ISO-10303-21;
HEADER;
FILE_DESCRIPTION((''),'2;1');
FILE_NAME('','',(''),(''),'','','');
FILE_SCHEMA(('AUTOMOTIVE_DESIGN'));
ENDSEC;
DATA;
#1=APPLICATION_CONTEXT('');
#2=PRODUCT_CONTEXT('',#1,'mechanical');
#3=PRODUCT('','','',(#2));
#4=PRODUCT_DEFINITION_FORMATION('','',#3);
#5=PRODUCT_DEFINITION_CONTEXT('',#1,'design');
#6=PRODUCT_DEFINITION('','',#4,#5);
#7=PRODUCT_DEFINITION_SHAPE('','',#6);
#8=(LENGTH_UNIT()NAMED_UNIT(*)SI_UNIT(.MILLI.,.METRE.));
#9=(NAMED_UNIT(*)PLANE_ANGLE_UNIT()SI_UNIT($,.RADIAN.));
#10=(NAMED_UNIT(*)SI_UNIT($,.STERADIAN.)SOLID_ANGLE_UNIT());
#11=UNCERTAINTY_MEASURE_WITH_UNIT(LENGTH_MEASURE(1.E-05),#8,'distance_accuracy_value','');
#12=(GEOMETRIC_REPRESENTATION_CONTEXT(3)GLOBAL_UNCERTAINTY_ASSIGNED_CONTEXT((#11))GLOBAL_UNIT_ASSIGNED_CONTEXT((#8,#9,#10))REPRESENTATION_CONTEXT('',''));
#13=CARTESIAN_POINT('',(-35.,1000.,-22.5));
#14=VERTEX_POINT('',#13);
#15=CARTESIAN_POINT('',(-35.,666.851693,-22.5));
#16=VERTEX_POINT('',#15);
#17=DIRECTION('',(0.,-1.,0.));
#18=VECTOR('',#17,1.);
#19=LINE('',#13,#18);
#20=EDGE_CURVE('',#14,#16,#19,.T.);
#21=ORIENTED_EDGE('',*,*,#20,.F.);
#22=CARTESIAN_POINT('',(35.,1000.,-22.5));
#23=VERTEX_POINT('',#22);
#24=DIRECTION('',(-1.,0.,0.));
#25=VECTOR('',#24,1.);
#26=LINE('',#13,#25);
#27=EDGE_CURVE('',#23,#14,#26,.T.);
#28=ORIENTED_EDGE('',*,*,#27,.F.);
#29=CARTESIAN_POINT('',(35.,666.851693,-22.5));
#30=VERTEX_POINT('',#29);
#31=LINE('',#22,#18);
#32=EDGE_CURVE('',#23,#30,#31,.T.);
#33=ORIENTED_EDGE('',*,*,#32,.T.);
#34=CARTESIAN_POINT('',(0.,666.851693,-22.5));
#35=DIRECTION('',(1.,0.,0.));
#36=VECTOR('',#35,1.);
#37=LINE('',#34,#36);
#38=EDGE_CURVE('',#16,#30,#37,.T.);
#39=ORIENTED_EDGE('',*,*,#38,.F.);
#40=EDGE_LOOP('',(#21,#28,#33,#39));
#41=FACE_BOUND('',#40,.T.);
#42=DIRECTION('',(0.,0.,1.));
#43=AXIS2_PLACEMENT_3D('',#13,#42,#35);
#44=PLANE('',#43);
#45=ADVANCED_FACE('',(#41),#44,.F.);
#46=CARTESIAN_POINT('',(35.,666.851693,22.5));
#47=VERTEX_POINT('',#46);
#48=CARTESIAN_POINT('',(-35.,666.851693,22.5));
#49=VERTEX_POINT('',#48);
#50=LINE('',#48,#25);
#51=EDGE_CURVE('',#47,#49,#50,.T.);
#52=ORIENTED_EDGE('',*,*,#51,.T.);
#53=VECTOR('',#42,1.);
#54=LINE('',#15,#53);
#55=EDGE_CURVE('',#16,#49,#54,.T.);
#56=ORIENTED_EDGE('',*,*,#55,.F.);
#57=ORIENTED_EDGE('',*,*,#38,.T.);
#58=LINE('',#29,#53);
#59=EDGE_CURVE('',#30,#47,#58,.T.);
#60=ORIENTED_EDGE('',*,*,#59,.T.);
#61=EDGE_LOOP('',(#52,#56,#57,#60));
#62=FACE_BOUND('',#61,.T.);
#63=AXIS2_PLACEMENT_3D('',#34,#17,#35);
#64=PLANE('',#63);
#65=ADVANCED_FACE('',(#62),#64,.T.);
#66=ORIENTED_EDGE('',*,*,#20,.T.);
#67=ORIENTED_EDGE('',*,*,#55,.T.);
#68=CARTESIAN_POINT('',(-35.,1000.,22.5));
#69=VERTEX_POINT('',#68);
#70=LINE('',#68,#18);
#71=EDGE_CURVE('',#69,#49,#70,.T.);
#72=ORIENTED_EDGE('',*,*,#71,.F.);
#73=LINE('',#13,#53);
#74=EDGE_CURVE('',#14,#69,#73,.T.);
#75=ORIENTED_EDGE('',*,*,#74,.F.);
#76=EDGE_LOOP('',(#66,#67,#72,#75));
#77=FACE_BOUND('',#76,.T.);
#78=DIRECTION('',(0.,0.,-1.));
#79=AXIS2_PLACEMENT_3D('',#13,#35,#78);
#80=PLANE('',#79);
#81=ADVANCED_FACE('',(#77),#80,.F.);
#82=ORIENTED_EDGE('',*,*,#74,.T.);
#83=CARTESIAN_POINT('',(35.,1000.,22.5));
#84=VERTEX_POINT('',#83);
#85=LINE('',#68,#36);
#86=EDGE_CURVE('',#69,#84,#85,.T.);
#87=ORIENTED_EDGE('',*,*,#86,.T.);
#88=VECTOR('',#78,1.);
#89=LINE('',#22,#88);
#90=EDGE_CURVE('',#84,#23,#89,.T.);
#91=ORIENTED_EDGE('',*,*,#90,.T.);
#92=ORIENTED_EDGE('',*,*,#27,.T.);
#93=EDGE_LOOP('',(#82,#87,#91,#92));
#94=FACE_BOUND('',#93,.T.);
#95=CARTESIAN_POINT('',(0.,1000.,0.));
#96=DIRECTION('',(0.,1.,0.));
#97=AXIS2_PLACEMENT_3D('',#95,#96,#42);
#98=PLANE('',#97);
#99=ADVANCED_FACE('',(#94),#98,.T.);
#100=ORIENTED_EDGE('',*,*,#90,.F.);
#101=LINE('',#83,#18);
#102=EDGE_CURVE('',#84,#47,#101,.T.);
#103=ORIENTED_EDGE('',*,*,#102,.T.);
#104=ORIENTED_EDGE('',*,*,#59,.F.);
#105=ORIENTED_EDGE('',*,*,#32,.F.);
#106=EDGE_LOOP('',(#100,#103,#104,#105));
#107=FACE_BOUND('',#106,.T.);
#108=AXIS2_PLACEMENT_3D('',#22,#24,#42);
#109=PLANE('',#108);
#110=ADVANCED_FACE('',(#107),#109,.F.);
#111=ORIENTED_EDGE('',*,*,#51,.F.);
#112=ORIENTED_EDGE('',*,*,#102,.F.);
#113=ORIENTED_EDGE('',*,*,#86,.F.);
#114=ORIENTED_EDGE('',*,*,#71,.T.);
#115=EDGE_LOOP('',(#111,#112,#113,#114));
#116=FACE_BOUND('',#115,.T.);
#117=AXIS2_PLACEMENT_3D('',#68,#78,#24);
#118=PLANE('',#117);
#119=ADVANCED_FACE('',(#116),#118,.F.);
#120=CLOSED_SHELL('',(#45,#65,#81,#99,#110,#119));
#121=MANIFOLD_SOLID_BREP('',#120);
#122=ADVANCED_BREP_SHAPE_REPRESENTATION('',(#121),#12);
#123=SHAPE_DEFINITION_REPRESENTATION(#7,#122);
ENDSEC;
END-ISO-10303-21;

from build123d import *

# Parameters (mm, degrees)
SKETCH1_W               = 70
SKETCH1_H               = 45
SHAPE_DEPTH             = 1000
SKETCH6_W               = 70
SKETCH6_H               = 666.851692929
CUT_EXTRUDE2_DEPTH      = 1
CUT_EXTRUDE2_DEPTH_BACK = 46


with BuildPart() as part:
    # Sketch1 → Shape (new body)
    with BuildSketch(Plane(origin=(0, 0, 0), x_dir=(1, 0, 0), z_dir=(0, 1, 0))):
        Rectangle(SKETCH1_W, SKETCH1_H)
    extrude(amount=SHAPE_DEPTH)

    # Sketch6 → Cut-Extrude2 (cut, two sides)
    with BuildSketch(Plane.XY.offset(22.5)) as cut_extrude2_sk:
        with Locations((0, 333.425846465)):
            Rectangle(SKETCH6_W, SKETCH6_H)
    extrude(amount=CUT_EXTRUDE2_DEPTH, mode=Mode.SUBTRACT)
    extrude(cut_extrude2_sk.sketch, amount=-CUT_EXTRUDE2_DEPTH_BACK, mode=Mode.SUBTRACT)


solid = part.part
